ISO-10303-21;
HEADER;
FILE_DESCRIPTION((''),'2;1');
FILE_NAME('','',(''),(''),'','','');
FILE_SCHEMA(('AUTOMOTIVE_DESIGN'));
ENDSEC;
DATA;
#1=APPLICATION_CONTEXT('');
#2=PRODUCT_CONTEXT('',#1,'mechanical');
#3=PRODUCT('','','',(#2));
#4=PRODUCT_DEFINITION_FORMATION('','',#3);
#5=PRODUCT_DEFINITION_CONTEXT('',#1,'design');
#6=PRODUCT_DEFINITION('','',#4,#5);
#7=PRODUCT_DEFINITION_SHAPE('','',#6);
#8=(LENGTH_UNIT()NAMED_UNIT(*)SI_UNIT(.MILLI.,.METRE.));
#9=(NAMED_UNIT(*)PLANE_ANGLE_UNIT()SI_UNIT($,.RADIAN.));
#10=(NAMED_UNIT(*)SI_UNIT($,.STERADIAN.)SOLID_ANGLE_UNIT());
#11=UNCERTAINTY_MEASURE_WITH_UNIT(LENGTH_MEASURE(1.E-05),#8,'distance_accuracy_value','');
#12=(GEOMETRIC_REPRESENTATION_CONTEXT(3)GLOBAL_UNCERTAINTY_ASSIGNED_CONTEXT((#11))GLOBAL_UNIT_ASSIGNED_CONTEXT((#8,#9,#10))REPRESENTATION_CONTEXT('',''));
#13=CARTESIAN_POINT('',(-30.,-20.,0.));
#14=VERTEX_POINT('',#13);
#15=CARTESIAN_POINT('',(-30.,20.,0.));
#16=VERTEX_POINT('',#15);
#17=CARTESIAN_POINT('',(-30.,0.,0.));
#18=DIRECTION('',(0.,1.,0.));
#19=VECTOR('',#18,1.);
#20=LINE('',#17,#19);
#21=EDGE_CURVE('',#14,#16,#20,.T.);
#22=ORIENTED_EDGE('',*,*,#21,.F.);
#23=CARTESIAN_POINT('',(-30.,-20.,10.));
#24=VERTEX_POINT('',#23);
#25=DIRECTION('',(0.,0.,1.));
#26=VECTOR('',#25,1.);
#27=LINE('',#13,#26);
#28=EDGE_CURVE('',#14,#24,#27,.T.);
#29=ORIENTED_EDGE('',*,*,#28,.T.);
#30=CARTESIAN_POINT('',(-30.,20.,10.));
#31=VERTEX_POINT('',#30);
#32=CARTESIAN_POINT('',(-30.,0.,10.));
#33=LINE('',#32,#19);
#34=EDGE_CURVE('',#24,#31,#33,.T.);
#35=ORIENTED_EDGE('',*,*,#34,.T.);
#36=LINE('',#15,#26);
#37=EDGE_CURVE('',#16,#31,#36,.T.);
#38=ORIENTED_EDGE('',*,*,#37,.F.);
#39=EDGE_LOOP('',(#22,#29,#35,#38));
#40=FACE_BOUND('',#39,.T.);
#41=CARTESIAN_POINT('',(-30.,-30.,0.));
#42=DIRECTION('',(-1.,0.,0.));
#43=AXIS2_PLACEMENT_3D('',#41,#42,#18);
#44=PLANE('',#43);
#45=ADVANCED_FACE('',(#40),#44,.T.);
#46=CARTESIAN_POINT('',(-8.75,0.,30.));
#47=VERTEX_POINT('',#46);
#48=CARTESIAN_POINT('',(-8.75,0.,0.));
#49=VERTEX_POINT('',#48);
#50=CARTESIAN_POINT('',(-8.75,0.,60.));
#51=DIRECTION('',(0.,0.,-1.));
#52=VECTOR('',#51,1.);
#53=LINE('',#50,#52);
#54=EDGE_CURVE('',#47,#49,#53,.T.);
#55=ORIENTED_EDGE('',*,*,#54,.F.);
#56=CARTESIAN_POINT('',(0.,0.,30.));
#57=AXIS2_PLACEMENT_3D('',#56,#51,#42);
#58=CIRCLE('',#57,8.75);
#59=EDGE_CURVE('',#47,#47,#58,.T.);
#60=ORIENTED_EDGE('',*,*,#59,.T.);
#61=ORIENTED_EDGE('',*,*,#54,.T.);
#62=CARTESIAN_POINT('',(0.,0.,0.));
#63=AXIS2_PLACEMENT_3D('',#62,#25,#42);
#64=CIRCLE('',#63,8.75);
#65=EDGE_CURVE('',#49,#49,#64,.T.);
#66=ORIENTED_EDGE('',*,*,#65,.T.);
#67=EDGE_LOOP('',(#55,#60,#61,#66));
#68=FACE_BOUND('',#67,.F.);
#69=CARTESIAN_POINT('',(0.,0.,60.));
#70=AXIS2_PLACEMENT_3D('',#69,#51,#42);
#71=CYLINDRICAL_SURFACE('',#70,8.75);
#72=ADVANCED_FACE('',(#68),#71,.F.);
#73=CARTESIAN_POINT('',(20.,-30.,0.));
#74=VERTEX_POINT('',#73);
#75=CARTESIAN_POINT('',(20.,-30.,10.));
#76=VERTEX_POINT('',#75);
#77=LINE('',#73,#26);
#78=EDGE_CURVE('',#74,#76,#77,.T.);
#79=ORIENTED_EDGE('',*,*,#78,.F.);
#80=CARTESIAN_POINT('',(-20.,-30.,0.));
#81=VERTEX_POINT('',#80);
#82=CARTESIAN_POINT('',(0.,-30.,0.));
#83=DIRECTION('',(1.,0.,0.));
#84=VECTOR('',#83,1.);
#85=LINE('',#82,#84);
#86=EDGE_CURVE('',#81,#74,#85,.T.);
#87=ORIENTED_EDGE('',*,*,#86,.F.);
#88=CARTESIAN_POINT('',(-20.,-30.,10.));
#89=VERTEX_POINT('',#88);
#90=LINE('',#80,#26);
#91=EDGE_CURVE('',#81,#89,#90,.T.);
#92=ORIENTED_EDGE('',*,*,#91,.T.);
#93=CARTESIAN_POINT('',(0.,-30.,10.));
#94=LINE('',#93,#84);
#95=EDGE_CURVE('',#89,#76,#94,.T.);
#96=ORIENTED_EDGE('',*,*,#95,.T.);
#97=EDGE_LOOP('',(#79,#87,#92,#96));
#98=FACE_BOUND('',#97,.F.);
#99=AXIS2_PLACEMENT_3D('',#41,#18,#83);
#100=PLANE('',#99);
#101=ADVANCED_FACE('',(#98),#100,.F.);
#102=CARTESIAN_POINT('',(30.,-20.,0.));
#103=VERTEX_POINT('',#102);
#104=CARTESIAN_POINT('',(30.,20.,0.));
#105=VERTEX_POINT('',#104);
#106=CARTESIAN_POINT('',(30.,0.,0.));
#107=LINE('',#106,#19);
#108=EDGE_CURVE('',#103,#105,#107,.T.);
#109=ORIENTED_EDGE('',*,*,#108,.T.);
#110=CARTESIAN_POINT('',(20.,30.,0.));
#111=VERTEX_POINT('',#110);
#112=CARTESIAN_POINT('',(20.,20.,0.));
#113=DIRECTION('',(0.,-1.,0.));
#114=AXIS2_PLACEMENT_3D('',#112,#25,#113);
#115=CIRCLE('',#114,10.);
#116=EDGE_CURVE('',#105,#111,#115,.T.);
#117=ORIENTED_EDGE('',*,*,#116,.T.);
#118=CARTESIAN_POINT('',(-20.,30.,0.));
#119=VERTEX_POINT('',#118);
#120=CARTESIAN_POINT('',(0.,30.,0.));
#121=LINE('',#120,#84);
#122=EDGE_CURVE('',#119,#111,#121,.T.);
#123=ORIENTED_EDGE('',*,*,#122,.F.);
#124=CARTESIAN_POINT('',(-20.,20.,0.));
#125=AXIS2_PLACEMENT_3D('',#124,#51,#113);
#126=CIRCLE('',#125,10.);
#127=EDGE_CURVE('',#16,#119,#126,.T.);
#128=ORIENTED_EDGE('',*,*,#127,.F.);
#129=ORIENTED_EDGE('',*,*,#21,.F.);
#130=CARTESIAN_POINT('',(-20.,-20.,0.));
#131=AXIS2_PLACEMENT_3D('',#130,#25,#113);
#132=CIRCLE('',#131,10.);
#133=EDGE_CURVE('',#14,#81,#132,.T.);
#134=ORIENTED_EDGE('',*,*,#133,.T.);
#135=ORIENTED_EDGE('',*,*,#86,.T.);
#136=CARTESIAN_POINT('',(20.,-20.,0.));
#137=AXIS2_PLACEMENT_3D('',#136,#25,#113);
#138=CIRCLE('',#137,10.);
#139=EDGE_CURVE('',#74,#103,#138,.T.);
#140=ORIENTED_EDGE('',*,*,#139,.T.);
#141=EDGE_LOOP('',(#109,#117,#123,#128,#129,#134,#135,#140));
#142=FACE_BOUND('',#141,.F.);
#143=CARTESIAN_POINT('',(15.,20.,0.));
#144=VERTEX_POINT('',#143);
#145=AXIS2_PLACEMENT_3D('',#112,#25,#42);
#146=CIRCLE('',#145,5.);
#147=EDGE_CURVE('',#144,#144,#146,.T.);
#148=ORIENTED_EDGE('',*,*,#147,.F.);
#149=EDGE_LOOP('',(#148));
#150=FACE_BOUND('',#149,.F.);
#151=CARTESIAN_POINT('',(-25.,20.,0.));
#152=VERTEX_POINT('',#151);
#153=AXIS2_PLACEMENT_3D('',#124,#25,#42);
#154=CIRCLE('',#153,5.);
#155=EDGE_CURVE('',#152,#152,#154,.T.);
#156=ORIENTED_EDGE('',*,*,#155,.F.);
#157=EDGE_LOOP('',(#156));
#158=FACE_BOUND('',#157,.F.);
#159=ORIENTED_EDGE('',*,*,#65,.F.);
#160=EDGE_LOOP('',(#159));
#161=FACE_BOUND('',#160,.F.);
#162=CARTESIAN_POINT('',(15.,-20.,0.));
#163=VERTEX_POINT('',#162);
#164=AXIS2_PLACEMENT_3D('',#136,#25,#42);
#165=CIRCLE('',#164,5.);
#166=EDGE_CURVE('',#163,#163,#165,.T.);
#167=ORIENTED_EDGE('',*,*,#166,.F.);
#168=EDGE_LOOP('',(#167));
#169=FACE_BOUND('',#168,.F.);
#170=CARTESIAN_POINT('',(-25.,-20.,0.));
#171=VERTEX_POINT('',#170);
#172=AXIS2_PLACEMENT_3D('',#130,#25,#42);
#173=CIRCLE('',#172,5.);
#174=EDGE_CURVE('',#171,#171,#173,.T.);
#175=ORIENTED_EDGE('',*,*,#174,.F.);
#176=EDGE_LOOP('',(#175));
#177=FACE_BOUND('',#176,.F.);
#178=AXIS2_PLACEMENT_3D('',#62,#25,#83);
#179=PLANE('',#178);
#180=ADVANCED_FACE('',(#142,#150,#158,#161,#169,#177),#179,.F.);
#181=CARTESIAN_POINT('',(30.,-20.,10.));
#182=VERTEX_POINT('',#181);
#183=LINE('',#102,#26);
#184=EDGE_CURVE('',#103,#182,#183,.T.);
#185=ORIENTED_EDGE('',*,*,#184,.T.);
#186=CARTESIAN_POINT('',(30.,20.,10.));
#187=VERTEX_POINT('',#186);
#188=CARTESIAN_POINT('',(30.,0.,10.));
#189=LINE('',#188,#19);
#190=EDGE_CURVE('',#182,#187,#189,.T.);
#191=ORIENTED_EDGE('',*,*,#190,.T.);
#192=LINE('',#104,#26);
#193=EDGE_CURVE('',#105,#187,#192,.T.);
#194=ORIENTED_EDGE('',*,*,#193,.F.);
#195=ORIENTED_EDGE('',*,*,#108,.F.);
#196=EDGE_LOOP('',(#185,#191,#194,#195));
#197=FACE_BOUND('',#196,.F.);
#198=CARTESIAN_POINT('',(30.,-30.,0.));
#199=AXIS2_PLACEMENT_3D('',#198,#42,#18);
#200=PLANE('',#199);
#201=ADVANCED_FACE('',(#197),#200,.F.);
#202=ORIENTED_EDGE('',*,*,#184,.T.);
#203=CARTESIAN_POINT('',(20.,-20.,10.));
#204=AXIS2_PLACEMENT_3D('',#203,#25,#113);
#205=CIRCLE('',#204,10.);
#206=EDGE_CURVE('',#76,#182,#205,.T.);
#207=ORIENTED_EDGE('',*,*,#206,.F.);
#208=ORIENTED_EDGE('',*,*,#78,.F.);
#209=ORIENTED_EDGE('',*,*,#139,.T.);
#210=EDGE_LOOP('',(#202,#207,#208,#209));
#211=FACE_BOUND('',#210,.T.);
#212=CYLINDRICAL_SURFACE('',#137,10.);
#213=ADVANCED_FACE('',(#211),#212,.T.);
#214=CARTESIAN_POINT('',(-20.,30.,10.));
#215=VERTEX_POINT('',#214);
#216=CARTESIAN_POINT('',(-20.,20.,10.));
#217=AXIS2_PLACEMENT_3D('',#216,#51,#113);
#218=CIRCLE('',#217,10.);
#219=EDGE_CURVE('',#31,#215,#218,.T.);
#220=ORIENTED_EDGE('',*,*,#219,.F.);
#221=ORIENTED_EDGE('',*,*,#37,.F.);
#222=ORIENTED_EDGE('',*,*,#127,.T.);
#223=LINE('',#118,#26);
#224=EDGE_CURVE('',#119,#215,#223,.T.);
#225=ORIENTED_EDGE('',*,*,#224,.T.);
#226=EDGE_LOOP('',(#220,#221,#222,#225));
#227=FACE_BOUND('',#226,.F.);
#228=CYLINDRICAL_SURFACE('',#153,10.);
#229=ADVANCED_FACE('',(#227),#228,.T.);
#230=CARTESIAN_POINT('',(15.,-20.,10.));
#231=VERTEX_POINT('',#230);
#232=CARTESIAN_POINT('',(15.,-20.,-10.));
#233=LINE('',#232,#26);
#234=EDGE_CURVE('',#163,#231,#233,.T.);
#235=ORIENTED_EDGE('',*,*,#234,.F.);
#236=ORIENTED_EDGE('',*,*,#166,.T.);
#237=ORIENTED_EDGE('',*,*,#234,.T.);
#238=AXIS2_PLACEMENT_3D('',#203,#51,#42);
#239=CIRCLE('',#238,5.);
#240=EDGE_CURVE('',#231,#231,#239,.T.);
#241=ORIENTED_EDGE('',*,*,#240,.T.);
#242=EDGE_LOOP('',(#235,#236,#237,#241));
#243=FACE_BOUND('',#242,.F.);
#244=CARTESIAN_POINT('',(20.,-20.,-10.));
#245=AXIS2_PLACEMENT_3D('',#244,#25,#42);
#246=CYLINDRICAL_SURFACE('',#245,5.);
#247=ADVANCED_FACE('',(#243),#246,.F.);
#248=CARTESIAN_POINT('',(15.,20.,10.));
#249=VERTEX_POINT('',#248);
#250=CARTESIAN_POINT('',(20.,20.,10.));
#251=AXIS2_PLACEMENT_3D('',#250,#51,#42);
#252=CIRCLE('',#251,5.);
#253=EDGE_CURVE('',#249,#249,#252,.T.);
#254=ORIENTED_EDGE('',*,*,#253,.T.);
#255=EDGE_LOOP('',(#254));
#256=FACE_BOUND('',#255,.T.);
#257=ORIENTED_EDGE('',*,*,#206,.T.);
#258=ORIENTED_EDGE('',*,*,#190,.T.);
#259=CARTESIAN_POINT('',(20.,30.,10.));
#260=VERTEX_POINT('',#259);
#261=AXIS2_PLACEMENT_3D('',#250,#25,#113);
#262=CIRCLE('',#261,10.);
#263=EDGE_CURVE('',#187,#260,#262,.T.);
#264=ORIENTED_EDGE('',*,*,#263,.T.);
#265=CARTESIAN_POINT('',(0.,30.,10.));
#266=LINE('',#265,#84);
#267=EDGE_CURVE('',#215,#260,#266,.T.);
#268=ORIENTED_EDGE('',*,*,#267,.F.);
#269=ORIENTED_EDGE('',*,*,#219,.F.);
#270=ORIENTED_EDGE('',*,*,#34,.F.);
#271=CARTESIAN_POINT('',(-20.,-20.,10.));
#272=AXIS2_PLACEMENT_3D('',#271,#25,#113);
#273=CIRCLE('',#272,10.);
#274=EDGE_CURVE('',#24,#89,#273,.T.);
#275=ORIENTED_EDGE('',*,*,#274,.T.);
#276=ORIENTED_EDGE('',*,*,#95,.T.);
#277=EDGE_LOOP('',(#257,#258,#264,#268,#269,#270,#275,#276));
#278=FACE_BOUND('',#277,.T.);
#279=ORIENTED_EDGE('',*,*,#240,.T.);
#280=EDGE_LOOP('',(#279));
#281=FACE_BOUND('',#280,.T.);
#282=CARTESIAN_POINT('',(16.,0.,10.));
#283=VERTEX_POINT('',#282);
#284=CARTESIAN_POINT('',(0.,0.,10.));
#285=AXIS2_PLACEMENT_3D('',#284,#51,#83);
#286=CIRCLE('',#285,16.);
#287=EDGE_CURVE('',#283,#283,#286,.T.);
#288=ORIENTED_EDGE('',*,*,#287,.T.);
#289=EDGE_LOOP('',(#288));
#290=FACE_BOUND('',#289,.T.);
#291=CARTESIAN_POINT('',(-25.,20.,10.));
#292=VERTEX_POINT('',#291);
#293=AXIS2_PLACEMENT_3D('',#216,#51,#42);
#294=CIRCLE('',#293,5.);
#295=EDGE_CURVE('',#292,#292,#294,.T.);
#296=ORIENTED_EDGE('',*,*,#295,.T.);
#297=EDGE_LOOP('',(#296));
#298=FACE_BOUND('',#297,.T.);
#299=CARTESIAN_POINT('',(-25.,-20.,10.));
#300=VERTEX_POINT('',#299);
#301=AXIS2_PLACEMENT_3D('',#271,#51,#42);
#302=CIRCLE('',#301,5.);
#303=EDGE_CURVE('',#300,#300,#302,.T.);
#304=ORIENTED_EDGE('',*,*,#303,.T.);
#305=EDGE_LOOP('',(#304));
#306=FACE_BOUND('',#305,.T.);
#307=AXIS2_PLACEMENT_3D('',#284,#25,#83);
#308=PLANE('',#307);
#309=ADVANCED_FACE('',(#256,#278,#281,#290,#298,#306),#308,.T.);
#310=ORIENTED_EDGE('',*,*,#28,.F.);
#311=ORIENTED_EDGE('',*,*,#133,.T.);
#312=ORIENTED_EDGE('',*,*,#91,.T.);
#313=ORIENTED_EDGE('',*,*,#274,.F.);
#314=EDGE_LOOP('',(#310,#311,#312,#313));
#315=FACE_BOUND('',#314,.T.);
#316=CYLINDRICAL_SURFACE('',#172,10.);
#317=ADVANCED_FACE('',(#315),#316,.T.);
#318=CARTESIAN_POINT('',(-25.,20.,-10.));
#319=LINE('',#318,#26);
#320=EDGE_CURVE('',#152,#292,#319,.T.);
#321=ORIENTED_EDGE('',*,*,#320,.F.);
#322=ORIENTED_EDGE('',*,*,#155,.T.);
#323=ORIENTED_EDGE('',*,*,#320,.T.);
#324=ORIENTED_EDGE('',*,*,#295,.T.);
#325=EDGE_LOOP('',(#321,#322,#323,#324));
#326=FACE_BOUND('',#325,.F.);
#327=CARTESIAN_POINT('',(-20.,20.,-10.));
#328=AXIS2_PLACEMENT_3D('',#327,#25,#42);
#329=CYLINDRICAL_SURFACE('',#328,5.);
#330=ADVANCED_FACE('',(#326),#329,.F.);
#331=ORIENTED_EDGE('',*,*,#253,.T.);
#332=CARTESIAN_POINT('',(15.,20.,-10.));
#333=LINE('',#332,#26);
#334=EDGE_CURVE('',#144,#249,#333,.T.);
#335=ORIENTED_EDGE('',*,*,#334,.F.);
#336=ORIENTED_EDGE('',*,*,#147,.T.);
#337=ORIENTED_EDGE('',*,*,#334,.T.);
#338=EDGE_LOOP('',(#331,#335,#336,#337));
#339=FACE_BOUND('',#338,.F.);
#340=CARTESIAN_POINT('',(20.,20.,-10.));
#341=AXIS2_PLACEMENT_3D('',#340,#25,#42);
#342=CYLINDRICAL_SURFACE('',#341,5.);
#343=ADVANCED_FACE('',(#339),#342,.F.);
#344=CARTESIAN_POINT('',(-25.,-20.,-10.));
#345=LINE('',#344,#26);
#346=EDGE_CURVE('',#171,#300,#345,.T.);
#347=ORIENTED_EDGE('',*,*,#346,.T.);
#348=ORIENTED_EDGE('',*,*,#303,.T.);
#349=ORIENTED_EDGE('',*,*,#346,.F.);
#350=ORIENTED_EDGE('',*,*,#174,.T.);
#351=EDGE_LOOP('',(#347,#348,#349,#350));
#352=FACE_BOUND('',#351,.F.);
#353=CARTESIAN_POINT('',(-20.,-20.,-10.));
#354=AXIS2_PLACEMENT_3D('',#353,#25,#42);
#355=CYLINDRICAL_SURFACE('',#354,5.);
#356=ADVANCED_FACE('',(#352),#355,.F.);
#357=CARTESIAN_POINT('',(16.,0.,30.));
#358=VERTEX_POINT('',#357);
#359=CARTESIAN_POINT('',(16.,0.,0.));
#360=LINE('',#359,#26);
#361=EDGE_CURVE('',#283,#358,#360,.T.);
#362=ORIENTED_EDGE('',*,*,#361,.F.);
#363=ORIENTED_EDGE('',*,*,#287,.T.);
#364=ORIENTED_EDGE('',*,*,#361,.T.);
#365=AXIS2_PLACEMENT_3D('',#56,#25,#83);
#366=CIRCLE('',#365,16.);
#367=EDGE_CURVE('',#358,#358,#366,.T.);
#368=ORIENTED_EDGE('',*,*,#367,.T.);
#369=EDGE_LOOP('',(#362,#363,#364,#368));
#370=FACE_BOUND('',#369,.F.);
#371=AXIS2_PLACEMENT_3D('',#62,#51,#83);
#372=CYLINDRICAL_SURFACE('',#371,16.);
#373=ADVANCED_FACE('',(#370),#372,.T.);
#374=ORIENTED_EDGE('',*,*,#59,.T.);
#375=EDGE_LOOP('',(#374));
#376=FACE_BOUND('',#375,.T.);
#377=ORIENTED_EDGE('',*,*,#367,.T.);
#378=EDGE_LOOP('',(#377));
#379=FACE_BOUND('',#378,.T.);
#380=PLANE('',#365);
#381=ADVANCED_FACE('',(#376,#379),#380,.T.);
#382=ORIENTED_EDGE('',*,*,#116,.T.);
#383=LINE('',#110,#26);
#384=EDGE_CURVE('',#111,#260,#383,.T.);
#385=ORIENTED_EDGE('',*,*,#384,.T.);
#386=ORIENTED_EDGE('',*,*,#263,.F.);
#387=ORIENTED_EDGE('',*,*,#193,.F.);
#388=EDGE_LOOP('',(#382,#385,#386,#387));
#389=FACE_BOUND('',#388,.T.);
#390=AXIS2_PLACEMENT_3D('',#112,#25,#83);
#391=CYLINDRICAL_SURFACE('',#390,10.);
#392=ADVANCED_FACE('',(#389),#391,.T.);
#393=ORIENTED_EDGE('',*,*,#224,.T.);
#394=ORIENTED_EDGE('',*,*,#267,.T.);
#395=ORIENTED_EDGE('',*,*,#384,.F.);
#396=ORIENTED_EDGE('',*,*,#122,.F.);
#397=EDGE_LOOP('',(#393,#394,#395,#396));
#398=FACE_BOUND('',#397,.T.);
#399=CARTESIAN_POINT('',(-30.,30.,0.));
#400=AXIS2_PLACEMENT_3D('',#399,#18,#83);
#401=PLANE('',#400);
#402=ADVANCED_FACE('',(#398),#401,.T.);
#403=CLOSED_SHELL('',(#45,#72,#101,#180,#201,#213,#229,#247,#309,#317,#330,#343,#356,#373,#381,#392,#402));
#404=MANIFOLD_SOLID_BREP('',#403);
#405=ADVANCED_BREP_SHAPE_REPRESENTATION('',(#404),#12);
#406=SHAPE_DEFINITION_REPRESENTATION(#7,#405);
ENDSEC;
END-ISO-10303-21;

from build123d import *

# Parameters (mm, degrees)
F0_W     = 60
F0_H     = 60
F0_W_2   = 40
F0_H_2   = 40
F0_R     = 16
F1_DEPTH = 10
F2_R     = 10
F3_D     = 10
F3_DEPTH = 10
F3_TIP   = 3.0043030951
F4_DEPTH = 30
F6_D     = 17.5
F6_DEPTH = 30
F6_TIP   = 5.2575304165


with BuildPart() as f1:
    # F0 (on Top) → F1 (new body)
    with BuildSketch(Plane.XY):
        Rectangle(F0_W, F0_H)
        Rectangle(F0_W_2, F0_H_2, mode=Mode.SUBTRACT)
        Rectangle(F0_W_2, F0_H_2)
        Circle(F0_R, mode=Mode.SUBTRACT)
        Circle(F0_R)
    extrude(amount=F1_DEPTH)

    # F2
    f2_edges = [f1.edges().sort_by_distance(p)[0] for p in [
        (-30, -30, 5),
        (30, -30, 5),
        (30, 30, 5),
        (-30, 30, 5),
    ]]
    fillet(f2_edges, radius=F2_R)

    # F3
    with Locations(Plane(origin=(0, 0, 0), x_dir=(1, 0, 0), z_dir=(0, 0, -1))):
        with Locations((20, 20), (-20, 20), (-20, -20), (20, -20)):
            Hole(F3_D / 2, depth=F3_DEPTH)
            with Locations((0, 0, -(F3_DEPTH + F3_TIP / 2))):  # 118° drill point
                Cone(0, F3_D / 2, F3_TIP, mode=Mode.SUBTRACT)

    # F0 (on Top) → F4 (join)
    with BuildSketch(Plane.XY):
        Circle(F0_R)
    extrude(amount=F4_DEPTH)

    # F6
    with Locations(Plane.XY.offset(30)):
        with Locations((0, 0)):
            Hole(F6_D / 2, depth=F6_DEPTH)
            with Locations((0, 0, -(F6_DEPTH + F6_TIP / 2))):  # 118° drill point
                Cone(0, F6_D / 2, F6_TIP, mode=Mode.SUBTRACT)


solid = f1.part
